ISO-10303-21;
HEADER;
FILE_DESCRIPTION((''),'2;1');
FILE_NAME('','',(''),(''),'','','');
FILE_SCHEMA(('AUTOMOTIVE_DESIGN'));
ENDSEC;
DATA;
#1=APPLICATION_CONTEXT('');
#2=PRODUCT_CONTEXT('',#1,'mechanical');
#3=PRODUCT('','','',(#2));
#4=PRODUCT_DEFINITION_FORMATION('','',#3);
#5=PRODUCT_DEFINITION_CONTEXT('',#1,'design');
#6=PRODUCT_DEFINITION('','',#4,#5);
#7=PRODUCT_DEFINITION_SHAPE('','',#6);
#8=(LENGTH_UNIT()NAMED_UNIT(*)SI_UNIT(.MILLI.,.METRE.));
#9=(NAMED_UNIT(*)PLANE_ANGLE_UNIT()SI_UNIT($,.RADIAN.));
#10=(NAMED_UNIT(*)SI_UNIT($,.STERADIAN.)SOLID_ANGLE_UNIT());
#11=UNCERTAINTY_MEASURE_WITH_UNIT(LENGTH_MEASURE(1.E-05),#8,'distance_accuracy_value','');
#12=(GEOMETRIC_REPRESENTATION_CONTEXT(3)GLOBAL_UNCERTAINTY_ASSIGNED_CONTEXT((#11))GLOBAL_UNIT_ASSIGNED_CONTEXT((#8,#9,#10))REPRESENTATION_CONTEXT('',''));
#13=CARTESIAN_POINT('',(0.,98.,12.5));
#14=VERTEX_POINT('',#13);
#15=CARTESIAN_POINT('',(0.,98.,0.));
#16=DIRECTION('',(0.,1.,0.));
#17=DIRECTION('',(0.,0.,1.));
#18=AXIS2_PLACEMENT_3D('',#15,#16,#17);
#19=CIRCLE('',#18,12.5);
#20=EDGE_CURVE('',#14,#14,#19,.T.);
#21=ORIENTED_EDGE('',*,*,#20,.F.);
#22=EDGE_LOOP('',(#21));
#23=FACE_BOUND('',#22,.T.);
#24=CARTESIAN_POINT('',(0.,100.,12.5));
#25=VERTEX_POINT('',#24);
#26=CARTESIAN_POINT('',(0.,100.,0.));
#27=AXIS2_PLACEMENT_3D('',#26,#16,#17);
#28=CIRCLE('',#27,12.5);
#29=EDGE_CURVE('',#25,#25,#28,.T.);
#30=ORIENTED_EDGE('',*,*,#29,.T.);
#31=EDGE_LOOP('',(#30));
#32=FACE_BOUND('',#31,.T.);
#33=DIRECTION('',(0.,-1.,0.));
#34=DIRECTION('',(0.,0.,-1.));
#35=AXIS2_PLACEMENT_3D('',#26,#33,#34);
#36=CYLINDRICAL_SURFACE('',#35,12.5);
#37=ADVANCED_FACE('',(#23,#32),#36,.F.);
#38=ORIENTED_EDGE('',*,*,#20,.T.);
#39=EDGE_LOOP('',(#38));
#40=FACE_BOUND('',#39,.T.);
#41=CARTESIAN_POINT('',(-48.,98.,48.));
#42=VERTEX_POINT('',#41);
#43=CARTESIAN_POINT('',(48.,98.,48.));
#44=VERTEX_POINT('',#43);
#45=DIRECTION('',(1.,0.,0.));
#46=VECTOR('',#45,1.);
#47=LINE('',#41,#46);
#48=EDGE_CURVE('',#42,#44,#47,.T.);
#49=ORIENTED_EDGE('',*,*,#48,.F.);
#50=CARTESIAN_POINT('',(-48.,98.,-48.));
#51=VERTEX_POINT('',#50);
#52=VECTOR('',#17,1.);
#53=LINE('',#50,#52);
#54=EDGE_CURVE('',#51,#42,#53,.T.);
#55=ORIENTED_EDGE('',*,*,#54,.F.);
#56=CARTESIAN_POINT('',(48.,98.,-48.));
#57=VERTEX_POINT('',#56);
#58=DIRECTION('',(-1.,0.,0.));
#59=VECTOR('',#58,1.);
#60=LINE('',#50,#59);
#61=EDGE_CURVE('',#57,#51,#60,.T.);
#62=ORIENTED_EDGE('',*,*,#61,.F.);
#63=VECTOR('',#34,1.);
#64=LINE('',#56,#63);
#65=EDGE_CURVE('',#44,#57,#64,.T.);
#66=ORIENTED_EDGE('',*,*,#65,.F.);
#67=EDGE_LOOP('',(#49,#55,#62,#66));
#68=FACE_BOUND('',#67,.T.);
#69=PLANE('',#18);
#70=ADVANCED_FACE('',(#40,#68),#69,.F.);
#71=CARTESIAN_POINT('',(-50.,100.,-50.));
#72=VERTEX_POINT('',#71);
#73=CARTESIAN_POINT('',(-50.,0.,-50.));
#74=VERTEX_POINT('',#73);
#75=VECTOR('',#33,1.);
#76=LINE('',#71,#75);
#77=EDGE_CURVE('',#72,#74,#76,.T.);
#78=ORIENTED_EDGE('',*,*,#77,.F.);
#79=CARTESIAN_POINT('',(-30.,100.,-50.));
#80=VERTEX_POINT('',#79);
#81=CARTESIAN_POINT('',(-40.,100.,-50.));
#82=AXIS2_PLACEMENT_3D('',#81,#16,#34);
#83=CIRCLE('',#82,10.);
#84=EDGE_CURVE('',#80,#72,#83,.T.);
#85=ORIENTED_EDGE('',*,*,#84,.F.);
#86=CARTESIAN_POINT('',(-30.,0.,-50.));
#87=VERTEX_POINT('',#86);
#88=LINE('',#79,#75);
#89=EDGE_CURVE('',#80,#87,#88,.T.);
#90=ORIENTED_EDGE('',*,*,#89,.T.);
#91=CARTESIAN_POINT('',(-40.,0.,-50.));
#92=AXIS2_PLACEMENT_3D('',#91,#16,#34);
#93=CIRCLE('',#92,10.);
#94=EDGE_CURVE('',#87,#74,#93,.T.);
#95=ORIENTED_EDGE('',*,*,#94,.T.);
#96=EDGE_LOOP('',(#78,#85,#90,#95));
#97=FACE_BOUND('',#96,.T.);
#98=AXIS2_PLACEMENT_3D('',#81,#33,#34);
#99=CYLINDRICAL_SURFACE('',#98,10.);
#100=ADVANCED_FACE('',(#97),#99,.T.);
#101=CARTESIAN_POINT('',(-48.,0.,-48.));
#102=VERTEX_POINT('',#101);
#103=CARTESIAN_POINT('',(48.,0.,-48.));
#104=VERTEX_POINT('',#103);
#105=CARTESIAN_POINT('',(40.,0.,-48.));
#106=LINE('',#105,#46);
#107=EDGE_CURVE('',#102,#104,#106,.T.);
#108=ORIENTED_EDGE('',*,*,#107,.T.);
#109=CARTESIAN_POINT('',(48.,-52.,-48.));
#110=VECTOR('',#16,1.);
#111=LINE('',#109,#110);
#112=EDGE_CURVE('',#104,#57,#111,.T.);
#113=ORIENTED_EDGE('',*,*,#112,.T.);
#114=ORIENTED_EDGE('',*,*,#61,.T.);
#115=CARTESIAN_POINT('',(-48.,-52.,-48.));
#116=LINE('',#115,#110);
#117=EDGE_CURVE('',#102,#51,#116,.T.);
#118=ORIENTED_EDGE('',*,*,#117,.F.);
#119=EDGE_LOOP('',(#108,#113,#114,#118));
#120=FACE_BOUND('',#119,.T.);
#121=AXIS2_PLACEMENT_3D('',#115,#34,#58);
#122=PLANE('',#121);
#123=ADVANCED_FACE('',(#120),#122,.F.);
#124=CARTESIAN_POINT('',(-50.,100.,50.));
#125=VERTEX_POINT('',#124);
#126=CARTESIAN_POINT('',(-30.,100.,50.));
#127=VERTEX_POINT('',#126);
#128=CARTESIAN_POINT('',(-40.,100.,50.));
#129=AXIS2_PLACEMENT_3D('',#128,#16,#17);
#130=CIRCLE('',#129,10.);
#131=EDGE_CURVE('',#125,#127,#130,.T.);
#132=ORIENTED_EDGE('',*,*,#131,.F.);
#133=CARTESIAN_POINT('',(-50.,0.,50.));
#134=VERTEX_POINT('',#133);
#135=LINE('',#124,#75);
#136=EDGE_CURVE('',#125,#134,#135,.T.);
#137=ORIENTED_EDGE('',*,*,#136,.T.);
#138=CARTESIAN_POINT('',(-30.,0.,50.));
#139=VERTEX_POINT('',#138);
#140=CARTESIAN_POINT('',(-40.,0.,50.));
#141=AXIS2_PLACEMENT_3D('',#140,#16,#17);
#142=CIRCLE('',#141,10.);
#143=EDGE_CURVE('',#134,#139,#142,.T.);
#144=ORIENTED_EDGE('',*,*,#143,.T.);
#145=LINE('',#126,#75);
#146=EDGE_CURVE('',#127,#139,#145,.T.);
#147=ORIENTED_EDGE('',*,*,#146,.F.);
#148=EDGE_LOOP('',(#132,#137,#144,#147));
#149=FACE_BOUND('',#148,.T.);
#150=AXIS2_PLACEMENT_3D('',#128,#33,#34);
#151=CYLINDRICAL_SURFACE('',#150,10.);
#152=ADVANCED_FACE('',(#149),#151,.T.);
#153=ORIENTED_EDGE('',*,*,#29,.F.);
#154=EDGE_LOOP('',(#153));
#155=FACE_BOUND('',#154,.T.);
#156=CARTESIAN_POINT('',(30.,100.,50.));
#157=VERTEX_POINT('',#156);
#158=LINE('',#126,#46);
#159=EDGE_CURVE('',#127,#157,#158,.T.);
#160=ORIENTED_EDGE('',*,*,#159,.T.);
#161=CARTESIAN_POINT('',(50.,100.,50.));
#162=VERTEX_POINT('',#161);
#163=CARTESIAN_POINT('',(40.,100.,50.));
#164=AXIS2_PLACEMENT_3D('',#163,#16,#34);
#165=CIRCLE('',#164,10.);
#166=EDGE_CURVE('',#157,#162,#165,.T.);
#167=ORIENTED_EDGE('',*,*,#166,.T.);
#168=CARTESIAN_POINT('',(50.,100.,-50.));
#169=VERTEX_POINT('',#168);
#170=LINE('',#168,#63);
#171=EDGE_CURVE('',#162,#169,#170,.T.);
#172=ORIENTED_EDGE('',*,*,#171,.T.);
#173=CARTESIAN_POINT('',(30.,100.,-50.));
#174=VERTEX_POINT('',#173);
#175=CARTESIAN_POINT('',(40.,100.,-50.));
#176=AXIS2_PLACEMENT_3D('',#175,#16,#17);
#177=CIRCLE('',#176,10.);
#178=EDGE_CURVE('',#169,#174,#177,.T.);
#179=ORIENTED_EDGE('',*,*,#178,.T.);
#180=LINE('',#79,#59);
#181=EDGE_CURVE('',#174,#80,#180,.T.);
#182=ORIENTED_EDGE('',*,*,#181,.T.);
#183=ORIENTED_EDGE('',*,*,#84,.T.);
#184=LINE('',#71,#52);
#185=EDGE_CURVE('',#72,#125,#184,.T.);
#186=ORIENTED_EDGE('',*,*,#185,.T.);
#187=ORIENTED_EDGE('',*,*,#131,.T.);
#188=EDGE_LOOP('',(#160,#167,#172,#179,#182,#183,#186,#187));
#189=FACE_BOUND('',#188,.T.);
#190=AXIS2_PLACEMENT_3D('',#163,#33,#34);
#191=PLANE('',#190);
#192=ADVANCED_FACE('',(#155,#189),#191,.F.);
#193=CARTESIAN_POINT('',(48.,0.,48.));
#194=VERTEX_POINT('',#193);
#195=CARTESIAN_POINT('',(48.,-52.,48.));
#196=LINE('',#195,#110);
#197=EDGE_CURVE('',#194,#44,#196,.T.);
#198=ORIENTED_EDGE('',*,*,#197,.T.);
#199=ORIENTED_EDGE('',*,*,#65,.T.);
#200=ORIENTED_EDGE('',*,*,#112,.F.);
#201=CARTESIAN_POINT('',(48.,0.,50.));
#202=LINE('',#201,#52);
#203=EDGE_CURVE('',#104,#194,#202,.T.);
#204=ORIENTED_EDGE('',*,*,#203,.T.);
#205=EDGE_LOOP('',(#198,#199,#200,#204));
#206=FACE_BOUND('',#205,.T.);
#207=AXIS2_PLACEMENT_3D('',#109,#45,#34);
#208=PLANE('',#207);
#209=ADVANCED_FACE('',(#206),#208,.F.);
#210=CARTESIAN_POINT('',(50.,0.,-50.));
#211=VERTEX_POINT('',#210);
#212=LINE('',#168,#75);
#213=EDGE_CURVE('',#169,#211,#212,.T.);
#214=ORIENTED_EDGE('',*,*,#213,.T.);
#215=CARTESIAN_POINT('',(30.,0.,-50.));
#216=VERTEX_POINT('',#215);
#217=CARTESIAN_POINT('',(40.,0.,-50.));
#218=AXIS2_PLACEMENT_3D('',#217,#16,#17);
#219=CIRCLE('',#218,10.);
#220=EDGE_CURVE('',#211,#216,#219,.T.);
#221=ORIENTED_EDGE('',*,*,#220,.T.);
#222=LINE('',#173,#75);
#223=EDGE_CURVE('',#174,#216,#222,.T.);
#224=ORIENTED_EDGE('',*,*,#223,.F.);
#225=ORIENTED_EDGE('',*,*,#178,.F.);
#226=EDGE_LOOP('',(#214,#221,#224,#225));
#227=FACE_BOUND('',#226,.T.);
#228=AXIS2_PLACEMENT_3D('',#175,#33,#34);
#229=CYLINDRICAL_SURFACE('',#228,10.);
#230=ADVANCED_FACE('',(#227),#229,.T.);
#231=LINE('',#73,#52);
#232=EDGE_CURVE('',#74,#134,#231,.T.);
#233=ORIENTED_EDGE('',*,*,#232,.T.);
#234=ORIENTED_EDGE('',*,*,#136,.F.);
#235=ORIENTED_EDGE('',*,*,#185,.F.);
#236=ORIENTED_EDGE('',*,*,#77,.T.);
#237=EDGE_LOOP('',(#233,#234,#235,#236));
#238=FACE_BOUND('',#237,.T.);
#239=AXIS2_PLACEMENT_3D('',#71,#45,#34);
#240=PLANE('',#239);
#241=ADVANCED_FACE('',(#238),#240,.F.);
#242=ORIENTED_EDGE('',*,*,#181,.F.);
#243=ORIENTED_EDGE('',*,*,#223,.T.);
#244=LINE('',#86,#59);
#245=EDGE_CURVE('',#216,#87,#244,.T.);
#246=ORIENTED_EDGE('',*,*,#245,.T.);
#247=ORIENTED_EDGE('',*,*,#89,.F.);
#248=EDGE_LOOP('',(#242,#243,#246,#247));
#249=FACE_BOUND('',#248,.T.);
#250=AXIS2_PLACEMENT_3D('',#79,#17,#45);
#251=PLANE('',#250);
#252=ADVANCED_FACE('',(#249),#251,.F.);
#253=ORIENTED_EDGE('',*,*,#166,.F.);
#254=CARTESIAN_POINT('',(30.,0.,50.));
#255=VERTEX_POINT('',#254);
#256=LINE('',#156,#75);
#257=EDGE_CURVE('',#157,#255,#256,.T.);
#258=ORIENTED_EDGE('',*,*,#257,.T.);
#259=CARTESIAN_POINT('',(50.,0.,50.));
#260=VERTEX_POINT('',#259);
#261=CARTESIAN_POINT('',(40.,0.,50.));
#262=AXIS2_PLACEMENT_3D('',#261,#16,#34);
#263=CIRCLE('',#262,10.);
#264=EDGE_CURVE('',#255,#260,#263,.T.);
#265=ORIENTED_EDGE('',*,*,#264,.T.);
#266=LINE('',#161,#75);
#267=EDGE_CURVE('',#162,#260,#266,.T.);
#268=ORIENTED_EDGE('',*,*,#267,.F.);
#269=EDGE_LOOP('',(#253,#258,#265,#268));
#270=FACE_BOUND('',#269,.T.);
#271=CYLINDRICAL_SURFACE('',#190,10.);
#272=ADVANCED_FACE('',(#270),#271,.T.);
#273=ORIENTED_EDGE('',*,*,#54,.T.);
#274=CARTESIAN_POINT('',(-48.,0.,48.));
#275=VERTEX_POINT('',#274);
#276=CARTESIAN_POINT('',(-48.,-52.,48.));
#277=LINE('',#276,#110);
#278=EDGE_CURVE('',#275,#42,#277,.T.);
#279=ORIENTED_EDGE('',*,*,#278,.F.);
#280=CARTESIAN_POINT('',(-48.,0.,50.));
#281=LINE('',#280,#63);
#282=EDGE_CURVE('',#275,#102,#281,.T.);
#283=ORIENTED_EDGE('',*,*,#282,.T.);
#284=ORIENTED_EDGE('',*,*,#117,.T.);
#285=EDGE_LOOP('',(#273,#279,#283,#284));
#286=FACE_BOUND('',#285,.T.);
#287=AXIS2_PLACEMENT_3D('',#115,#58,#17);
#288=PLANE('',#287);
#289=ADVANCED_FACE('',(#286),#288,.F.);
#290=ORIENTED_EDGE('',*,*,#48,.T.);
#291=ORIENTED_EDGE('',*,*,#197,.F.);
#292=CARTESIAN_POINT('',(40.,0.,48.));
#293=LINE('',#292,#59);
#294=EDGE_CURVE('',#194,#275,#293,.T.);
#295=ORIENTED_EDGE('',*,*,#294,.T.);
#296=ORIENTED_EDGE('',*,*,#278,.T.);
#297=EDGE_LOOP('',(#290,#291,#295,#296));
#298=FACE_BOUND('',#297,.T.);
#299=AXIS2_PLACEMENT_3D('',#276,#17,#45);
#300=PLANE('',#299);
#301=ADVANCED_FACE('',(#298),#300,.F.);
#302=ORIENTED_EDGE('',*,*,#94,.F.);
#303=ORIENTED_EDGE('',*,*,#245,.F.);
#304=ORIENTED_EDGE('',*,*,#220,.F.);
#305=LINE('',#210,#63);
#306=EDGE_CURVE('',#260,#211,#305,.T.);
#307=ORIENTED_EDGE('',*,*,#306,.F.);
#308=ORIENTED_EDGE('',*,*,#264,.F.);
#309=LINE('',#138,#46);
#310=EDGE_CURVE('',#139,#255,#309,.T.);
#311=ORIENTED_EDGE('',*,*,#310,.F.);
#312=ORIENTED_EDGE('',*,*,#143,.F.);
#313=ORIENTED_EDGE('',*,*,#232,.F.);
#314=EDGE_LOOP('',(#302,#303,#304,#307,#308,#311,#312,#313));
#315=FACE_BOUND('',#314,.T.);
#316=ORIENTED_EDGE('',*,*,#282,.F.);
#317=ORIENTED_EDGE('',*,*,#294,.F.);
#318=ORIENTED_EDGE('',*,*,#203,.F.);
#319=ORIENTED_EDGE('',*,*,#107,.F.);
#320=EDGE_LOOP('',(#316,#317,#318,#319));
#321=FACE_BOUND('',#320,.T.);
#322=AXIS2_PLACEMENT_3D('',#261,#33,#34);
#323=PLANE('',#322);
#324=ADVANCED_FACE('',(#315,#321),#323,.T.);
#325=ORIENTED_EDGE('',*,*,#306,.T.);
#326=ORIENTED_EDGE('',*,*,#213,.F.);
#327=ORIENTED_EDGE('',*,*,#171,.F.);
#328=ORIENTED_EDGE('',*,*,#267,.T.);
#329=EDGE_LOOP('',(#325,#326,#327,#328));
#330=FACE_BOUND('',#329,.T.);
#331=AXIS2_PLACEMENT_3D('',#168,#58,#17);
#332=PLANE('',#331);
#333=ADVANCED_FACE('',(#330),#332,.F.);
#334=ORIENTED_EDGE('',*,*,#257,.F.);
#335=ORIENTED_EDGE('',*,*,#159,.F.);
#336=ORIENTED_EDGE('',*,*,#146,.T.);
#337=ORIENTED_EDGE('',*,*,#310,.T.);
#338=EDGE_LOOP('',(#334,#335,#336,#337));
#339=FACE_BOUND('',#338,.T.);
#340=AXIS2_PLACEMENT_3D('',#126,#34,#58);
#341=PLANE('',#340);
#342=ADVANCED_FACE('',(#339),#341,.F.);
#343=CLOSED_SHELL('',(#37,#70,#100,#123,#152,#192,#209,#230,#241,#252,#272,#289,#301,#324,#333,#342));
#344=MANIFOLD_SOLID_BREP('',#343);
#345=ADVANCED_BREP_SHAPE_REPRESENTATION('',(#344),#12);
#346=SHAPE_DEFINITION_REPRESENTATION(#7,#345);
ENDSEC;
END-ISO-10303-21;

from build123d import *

# Parameters (mm, degrees)
SKETCH1_R           = 12.5
BOSS_EXTRUDE1_DEPTH = 100
SKETCH2_W           = 96
SKETCH2_H           = 96
CUT_EXTRUDE1_DEPTH  = 150


with BuildPart() as part:
    # Sketch1 → Boss-Extrude1 (new body)
    with BuildSketch(Plane(origin=(0, 0, 0), x_dir=(1, 0, 0), z_dir=(0, 1, 0))):
        with BuildLine():
            Line((-30, 50), (30, 50))
            ThreePointArc((30, 50), (40, 60), (50, 50))
            Line((50, 50), (50, -50))
            ThreePointArc((50, -50), (40, -60), (30, -50))
            Line((30, -50), (-30, -50))
            ThreePointArc((-30, -50), (-40, -60), (-50, -50))
            Line((-50, -50), (-50, 50))
            ThreePointArc((-50, 50), (-40, 60), (-30, 50))
        make_face()
        Circle(SKETCH1_R, mode=Mode.SUBTRACT)
    extrude(amount=BOSS_EXTRUDE1_DEPTH)

    # Sketch2 → Cut-Extrude1 (cut)
    with BuildSketch(Plane(origin=(0, 98, 0), x_dir=(1, 0, 0), z_dir=(0, 1, 0))):
        Rectangle(SKETCH2_W, SKETCH2_H)
    extrude(amount=-CUT_EXTRUDE1_DEPTH, mode=Mode.SUBTRACT)


solid = part.part
